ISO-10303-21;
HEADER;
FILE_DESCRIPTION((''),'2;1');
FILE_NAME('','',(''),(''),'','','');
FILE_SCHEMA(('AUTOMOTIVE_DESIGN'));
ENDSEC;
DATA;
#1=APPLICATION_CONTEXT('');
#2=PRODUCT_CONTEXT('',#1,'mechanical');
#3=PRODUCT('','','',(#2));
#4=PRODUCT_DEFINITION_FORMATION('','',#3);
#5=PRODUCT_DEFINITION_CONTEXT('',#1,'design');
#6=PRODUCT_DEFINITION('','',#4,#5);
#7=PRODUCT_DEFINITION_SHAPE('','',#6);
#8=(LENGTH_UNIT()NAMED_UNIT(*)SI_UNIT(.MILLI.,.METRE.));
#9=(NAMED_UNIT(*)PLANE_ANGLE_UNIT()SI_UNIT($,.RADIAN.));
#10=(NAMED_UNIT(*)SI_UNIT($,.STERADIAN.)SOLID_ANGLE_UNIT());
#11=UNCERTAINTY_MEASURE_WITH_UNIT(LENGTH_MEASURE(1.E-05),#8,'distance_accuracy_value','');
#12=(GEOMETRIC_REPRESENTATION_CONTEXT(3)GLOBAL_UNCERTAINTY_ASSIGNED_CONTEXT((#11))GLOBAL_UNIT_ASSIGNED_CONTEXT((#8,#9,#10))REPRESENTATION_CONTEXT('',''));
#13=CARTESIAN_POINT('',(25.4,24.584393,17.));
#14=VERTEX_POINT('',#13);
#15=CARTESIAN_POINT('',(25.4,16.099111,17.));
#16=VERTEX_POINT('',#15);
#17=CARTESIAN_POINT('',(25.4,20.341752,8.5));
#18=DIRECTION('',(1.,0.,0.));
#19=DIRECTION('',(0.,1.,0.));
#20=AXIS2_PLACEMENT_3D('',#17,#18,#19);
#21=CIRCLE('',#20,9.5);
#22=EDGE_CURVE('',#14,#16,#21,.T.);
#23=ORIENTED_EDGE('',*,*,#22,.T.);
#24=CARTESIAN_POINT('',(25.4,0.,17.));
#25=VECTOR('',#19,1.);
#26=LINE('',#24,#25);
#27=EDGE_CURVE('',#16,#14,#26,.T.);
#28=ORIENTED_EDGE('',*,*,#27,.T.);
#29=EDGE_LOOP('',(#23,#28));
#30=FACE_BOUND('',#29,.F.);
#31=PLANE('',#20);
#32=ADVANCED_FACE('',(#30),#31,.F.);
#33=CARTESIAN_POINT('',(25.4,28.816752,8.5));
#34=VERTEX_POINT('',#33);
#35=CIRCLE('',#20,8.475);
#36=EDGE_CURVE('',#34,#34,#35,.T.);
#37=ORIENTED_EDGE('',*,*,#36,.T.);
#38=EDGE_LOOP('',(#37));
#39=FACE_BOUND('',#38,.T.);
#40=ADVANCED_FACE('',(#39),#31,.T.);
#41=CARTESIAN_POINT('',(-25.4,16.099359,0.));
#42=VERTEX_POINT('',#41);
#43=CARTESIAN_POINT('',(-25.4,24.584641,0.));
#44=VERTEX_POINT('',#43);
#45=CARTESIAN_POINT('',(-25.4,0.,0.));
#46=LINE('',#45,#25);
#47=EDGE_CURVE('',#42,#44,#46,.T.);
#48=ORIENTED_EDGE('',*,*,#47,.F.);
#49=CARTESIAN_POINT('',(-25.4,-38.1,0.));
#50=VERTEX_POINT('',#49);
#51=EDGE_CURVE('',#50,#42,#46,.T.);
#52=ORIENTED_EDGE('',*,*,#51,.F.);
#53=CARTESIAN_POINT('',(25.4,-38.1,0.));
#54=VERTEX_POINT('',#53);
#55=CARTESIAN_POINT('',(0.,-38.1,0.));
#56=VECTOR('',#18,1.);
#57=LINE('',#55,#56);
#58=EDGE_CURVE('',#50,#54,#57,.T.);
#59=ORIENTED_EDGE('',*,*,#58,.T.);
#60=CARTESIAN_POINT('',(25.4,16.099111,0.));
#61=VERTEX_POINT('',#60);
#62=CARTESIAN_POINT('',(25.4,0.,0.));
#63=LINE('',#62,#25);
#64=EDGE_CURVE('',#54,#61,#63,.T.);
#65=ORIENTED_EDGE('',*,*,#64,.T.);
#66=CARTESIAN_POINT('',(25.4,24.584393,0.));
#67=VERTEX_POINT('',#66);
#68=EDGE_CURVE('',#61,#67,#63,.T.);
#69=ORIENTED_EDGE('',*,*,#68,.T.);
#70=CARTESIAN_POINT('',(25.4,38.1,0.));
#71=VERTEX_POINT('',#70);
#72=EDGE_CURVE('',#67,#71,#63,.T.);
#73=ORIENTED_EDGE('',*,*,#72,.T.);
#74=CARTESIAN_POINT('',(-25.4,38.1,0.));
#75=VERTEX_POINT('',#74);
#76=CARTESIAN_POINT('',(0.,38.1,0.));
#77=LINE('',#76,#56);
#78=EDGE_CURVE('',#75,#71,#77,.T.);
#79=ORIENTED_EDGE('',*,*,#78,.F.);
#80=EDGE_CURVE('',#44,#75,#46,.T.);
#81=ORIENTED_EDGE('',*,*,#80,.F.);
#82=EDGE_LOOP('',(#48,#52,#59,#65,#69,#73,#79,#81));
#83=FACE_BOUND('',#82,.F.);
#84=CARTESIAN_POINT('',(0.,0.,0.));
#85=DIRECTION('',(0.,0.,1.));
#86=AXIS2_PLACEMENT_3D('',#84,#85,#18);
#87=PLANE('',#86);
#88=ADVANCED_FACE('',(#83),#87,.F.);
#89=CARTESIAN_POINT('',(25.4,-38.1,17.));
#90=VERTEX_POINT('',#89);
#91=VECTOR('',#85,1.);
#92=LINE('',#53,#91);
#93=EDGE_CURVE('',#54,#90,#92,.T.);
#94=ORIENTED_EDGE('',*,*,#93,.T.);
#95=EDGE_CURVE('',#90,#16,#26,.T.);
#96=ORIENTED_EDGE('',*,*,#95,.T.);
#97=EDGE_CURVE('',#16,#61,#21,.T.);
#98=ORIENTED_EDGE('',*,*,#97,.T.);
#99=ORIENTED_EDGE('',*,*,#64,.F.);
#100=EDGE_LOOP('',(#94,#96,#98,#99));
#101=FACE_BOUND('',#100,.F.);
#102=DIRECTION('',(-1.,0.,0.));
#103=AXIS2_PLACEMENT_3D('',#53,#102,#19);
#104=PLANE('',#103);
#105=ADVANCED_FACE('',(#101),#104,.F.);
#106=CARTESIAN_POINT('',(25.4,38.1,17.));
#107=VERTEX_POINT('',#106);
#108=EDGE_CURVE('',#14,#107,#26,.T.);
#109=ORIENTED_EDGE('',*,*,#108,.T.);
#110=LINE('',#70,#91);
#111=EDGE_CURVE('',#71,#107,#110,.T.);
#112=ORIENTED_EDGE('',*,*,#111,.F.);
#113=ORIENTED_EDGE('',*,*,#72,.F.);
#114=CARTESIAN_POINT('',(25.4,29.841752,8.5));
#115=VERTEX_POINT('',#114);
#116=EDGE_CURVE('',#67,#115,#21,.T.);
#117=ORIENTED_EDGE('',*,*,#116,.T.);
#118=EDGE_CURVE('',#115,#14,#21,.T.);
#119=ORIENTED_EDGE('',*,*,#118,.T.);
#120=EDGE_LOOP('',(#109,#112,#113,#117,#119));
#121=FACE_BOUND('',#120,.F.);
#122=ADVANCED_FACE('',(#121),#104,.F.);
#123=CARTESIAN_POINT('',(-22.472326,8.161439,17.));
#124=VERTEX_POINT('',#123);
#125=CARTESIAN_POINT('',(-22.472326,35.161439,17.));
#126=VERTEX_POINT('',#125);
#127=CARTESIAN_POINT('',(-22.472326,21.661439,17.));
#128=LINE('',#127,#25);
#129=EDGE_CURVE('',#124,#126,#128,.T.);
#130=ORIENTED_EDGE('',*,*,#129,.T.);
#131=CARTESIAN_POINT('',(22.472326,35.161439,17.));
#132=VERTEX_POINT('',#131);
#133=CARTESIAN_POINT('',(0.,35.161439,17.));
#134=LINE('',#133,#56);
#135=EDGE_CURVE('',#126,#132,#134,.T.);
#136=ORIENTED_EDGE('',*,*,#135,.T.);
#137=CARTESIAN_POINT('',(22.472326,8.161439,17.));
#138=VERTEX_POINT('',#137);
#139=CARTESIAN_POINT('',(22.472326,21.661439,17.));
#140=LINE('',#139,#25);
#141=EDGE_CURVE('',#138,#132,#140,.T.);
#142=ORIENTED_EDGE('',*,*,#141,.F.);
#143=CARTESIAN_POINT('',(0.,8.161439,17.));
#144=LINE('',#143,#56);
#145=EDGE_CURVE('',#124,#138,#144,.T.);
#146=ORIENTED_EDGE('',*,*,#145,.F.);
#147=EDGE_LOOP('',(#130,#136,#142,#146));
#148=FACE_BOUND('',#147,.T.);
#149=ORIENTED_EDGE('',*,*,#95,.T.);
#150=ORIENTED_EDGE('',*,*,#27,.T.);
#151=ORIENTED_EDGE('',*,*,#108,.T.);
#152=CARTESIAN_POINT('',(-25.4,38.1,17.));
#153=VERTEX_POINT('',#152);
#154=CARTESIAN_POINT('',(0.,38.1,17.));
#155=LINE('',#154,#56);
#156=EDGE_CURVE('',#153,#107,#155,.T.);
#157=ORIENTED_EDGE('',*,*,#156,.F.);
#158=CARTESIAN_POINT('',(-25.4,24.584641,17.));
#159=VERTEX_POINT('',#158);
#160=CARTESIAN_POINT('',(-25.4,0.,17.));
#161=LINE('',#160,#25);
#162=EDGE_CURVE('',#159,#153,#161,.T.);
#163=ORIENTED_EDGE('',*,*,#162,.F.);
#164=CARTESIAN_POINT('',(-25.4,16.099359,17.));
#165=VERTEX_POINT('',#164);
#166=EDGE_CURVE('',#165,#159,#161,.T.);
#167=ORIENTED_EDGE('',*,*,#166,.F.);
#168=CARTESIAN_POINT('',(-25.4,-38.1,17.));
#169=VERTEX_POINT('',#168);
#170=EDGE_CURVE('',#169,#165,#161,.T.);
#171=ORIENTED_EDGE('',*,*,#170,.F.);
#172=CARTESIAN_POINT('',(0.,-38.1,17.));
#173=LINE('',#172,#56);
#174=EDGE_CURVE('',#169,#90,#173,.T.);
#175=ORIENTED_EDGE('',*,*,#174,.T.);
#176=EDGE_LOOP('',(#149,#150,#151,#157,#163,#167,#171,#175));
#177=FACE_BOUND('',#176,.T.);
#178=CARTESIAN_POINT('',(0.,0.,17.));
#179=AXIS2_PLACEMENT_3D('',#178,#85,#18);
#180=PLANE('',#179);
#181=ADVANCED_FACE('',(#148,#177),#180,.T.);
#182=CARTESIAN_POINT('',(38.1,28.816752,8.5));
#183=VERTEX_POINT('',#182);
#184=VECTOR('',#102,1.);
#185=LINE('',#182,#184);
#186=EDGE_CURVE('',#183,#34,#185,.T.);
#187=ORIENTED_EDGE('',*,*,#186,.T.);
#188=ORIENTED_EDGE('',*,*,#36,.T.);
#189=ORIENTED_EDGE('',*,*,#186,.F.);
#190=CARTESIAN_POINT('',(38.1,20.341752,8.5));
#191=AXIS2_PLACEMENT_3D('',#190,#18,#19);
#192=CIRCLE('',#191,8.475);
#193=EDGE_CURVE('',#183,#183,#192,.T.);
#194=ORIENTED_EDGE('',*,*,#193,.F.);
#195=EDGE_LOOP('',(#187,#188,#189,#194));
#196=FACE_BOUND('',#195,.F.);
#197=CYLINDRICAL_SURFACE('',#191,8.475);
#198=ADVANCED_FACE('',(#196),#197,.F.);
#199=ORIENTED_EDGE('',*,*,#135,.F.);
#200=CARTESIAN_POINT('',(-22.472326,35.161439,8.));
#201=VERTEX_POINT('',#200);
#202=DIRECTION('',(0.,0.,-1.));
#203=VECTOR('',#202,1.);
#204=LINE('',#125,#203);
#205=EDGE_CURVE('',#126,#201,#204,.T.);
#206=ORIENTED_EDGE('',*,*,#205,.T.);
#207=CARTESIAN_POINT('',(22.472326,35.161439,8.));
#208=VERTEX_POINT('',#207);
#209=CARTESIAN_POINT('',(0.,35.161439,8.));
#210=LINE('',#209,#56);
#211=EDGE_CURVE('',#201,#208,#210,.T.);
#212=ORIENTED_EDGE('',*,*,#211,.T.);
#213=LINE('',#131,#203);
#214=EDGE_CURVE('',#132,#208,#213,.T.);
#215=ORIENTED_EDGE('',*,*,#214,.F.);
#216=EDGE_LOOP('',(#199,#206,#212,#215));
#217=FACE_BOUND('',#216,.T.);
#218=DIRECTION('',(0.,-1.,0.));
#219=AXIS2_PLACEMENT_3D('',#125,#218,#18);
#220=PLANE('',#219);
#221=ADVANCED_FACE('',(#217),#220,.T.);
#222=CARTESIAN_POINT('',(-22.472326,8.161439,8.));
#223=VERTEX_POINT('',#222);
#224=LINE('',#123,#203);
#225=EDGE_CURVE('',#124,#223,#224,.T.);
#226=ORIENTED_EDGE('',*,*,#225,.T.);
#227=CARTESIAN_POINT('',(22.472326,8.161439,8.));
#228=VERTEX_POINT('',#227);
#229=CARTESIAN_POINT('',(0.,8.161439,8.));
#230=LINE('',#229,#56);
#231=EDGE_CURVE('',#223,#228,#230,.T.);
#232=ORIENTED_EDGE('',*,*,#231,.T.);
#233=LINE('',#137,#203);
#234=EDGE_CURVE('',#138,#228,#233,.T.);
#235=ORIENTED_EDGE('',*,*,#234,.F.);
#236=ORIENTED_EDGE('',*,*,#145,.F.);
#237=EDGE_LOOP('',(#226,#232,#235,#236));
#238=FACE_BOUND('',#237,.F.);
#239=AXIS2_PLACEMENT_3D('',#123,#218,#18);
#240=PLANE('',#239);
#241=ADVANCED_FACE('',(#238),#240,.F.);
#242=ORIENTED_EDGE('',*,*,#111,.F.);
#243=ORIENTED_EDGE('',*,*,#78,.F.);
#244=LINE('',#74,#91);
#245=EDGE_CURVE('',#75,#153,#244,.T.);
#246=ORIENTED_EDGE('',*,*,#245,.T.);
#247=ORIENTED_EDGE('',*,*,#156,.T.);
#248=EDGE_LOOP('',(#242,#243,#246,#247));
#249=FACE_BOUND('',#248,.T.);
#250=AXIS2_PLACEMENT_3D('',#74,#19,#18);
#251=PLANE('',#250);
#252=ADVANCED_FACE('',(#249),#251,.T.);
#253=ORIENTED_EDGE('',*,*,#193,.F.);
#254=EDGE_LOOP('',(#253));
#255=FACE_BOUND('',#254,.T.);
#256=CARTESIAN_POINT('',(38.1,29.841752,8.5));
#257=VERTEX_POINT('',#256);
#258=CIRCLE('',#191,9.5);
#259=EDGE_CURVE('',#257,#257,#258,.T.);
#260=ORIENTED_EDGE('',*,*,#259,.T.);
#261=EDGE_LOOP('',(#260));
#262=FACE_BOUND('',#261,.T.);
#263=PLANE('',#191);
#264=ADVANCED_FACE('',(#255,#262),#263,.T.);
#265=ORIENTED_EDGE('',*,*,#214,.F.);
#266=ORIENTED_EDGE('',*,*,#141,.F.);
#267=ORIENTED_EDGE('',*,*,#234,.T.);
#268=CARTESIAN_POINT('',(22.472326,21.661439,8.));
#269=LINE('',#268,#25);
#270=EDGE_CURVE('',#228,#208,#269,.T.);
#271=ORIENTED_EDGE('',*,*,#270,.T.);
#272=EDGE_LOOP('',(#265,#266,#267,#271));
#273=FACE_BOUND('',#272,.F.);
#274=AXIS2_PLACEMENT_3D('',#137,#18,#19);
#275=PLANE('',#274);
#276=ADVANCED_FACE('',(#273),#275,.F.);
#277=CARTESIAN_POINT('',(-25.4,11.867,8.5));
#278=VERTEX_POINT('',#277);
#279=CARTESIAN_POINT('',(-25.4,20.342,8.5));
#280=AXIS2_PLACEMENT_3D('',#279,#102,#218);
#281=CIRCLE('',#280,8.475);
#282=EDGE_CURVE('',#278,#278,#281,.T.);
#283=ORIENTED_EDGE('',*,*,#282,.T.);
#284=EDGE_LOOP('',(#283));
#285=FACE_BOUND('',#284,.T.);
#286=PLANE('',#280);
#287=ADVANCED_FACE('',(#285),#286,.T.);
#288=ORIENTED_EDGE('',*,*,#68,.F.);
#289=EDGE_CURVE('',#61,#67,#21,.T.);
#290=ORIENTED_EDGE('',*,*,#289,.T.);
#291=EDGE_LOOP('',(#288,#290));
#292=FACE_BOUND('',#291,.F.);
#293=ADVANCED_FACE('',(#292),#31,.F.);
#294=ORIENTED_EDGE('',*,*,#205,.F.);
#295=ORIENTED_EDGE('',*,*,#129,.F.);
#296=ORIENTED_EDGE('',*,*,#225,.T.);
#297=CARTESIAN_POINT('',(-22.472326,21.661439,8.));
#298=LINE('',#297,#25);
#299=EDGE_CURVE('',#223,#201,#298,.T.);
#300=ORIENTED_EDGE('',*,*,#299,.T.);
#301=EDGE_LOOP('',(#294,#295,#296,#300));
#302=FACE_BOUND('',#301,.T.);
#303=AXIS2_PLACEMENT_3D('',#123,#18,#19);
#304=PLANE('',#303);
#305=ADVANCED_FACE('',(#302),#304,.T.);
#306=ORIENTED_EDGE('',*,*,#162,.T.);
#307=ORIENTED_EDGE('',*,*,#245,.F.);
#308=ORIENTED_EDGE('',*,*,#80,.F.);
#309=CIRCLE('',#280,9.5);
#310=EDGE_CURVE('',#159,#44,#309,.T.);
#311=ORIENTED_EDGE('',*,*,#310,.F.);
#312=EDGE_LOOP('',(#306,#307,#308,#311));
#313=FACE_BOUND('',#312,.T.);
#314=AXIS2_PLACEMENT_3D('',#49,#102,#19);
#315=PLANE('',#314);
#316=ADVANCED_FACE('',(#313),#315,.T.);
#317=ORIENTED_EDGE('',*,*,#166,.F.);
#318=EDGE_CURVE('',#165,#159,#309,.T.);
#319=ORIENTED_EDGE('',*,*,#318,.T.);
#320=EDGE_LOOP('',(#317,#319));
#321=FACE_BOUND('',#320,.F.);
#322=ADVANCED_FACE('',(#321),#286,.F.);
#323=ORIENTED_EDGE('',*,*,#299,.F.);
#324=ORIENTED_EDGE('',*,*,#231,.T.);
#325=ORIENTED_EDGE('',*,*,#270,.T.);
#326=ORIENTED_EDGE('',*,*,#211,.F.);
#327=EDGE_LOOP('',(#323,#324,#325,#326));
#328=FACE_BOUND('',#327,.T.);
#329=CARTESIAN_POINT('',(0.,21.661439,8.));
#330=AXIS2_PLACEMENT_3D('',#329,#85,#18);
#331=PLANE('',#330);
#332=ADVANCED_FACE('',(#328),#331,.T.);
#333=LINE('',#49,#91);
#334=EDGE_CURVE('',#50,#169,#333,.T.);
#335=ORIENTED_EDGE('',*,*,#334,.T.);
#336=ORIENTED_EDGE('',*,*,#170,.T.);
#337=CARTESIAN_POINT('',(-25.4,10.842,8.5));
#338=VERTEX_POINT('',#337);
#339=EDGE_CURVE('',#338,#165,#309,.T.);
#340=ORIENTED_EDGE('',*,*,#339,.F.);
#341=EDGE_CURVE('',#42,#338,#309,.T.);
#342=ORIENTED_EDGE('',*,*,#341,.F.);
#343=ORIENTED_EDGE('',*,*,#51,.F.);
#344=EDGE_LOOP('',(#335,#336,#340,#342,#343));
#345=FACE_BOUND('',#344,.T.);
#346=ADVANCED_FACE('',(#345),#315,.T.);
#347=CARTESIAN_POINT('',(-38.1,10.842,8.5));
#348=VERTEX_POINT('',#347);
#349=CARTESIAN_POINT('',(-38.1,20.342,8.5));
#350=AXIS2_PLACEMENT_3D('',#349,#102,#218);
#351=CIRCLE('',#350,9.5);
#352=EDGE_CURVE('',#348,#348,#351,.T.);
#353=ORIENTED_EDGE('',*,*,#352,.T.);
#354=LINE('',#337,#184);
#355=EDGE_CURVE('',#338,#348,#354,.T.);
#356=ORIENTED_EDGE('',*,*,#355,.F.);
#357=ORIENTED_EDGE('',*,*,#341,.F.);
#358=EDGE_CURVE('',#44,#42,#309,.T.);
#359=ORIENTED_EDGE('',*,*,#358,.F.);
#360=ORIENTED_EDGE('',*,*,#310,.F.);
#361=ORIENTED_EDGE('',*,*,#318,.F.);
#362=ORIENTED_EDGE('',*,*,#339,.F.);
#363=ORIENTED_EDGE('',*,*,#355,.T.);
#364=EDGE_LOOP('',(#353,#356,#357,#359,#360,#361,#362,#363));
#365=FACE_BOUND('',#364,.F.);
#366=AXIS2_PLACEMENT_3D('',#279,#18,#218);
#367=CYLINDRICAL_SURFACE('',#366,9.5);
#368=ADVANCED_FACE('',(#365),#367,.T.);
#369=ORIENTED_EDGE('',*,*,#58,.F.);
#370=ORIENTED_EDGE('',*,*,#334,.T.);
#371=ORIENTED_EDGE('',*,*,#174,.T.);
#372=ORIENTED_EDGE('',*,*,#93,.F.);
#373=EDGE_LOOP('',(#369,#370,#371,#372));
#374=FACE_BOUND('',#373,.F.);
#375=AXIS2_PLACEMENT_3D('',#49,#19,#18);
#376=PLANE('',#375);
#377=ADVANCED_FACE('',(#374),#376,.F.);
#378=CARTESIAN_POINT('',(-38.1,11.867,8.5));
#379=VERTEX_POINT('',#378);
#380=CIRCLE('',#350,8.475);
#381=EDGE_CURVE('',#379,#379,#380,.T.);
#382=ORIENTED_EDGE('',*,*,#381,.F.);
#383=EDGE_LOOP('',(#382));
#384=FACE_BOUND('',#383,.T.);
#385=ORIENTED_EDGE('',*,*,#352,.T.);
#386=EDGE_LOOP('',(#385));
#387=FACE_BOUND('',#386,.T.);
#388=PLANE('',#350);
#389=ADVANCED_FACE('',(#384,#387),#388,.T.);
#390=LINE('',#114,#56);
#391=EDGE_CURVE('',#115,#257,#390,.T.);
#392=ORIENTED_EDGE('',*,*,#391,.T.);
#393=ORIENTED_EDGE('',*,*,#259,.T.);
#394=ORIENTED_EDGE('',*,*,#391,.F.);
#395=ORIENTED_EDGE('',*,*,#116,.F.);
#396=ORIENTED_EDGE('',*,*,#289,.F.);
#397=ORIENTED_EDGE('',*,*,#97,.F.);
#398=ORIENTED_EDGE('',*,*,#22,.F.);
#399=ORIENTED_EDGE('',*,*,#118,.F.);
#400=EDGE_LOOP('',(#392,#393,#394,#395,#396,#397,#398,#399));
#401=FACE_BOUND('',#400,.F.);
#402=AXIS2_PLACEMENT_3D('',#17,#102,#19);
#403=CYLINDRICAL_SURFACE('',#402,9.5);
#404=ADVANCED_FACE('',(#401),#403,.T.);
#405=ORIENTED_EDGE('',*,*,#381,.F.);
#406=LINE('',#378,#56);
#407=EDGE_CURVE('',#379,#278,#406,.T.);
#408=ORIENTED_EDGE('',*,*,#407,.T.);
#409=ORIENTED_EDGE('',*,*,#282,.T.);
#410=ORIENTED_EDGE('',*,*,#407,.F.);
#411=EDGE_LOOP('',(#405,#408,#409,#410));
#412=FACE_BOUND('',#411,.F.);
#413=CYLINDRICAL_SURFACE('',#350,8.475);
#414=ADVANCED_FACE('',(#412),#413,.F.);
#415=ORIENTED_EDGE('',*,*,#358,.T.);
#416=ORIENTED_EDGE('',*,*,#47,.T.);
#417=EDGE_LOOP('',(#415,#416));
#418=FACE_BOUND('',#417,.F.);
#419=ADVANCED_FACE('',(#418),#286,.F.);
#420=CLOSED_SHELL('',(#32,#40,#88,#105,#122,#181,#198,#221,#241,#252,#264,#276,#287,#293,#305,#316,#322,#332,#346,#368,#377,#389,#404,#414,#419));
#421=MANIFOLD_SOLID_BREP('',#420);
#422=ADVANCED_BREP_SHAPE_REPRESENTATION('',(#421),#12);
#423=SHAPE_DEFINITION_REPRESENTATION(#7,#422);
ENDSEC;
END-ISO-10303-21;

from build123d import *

# Parameters (mm, degrees)
F0_W      = 50.8
F0_H      = 76.2
F1_DEPTH  = 17
F3_W      = 44.944652
F3_H      = 27
F4_DEPTH  = 9
F5_R      = 9.5
F6_DEPTH  = 12.7
F7_R      = 8.475
F8_DEPTH  = 12.7
F9_R      = 9.5
F10_DEPTH = 12.7
F11_R     = 8.475
F12_DEPTH = 12.7


with BuildPart() as f1:
    # F0 (on Top) → F1 (new body)
    with BuildSketch(Plane.XY):
        Rectangle(F0_W, F0_H)
    extrude(amount=F1_DEPTH)

    # F3 (on face) → F4 (cut)
    with BuildSketch(Plane.XY.offset(17)):
        with Locations((0, 21.661439)):
            Rectangle(F3_W, F3_H)
    extrude(amount=-F4_DEPTH, mode=Mode.SUBTRACT)

    # F5 (on face) → F6 (join)
    with BuildSketch(Plane.YZ.offset(25.4)):
        with Locations((20.341752, 8.5)):
            Circle(F5_R)
    extrude(amount=F6_DEPTH)

    # F7 (on face) → F8 (cut)
    with BuildSketch(Plane.YZ.offset(38.1)):
        with Locations((20.341752, 8.5)):
            Circle(F7_R)
    extrude(amount=-F8_DEPTH, mode=Mode.SUBTRACT)

    # F9 (on face) → F10 (join)
    with BuildSketch(Plane(origin=(-25.4, 0, 0), x_dir=(0, -1, 0), z_dir=(-1, 0, 0))):
        with Locations((-20.342, 8.5)):
            Circle(F9_R)
    extrude(amount=F10_DEPTH)

    # F11 (on face) → F12 (cut)
    with BuildSketch(Plane(origin=(-38.1, 0, 0), x_dir=(0, -1, 0), z_dir=(-1, 0, 0))):
        with Locations((-20.342, 8.5)):
            Circle(F11_R)
    extrude(amount=-F12_DEPTH, mode=Mode.SUBTRACT)


solid = f1.part
